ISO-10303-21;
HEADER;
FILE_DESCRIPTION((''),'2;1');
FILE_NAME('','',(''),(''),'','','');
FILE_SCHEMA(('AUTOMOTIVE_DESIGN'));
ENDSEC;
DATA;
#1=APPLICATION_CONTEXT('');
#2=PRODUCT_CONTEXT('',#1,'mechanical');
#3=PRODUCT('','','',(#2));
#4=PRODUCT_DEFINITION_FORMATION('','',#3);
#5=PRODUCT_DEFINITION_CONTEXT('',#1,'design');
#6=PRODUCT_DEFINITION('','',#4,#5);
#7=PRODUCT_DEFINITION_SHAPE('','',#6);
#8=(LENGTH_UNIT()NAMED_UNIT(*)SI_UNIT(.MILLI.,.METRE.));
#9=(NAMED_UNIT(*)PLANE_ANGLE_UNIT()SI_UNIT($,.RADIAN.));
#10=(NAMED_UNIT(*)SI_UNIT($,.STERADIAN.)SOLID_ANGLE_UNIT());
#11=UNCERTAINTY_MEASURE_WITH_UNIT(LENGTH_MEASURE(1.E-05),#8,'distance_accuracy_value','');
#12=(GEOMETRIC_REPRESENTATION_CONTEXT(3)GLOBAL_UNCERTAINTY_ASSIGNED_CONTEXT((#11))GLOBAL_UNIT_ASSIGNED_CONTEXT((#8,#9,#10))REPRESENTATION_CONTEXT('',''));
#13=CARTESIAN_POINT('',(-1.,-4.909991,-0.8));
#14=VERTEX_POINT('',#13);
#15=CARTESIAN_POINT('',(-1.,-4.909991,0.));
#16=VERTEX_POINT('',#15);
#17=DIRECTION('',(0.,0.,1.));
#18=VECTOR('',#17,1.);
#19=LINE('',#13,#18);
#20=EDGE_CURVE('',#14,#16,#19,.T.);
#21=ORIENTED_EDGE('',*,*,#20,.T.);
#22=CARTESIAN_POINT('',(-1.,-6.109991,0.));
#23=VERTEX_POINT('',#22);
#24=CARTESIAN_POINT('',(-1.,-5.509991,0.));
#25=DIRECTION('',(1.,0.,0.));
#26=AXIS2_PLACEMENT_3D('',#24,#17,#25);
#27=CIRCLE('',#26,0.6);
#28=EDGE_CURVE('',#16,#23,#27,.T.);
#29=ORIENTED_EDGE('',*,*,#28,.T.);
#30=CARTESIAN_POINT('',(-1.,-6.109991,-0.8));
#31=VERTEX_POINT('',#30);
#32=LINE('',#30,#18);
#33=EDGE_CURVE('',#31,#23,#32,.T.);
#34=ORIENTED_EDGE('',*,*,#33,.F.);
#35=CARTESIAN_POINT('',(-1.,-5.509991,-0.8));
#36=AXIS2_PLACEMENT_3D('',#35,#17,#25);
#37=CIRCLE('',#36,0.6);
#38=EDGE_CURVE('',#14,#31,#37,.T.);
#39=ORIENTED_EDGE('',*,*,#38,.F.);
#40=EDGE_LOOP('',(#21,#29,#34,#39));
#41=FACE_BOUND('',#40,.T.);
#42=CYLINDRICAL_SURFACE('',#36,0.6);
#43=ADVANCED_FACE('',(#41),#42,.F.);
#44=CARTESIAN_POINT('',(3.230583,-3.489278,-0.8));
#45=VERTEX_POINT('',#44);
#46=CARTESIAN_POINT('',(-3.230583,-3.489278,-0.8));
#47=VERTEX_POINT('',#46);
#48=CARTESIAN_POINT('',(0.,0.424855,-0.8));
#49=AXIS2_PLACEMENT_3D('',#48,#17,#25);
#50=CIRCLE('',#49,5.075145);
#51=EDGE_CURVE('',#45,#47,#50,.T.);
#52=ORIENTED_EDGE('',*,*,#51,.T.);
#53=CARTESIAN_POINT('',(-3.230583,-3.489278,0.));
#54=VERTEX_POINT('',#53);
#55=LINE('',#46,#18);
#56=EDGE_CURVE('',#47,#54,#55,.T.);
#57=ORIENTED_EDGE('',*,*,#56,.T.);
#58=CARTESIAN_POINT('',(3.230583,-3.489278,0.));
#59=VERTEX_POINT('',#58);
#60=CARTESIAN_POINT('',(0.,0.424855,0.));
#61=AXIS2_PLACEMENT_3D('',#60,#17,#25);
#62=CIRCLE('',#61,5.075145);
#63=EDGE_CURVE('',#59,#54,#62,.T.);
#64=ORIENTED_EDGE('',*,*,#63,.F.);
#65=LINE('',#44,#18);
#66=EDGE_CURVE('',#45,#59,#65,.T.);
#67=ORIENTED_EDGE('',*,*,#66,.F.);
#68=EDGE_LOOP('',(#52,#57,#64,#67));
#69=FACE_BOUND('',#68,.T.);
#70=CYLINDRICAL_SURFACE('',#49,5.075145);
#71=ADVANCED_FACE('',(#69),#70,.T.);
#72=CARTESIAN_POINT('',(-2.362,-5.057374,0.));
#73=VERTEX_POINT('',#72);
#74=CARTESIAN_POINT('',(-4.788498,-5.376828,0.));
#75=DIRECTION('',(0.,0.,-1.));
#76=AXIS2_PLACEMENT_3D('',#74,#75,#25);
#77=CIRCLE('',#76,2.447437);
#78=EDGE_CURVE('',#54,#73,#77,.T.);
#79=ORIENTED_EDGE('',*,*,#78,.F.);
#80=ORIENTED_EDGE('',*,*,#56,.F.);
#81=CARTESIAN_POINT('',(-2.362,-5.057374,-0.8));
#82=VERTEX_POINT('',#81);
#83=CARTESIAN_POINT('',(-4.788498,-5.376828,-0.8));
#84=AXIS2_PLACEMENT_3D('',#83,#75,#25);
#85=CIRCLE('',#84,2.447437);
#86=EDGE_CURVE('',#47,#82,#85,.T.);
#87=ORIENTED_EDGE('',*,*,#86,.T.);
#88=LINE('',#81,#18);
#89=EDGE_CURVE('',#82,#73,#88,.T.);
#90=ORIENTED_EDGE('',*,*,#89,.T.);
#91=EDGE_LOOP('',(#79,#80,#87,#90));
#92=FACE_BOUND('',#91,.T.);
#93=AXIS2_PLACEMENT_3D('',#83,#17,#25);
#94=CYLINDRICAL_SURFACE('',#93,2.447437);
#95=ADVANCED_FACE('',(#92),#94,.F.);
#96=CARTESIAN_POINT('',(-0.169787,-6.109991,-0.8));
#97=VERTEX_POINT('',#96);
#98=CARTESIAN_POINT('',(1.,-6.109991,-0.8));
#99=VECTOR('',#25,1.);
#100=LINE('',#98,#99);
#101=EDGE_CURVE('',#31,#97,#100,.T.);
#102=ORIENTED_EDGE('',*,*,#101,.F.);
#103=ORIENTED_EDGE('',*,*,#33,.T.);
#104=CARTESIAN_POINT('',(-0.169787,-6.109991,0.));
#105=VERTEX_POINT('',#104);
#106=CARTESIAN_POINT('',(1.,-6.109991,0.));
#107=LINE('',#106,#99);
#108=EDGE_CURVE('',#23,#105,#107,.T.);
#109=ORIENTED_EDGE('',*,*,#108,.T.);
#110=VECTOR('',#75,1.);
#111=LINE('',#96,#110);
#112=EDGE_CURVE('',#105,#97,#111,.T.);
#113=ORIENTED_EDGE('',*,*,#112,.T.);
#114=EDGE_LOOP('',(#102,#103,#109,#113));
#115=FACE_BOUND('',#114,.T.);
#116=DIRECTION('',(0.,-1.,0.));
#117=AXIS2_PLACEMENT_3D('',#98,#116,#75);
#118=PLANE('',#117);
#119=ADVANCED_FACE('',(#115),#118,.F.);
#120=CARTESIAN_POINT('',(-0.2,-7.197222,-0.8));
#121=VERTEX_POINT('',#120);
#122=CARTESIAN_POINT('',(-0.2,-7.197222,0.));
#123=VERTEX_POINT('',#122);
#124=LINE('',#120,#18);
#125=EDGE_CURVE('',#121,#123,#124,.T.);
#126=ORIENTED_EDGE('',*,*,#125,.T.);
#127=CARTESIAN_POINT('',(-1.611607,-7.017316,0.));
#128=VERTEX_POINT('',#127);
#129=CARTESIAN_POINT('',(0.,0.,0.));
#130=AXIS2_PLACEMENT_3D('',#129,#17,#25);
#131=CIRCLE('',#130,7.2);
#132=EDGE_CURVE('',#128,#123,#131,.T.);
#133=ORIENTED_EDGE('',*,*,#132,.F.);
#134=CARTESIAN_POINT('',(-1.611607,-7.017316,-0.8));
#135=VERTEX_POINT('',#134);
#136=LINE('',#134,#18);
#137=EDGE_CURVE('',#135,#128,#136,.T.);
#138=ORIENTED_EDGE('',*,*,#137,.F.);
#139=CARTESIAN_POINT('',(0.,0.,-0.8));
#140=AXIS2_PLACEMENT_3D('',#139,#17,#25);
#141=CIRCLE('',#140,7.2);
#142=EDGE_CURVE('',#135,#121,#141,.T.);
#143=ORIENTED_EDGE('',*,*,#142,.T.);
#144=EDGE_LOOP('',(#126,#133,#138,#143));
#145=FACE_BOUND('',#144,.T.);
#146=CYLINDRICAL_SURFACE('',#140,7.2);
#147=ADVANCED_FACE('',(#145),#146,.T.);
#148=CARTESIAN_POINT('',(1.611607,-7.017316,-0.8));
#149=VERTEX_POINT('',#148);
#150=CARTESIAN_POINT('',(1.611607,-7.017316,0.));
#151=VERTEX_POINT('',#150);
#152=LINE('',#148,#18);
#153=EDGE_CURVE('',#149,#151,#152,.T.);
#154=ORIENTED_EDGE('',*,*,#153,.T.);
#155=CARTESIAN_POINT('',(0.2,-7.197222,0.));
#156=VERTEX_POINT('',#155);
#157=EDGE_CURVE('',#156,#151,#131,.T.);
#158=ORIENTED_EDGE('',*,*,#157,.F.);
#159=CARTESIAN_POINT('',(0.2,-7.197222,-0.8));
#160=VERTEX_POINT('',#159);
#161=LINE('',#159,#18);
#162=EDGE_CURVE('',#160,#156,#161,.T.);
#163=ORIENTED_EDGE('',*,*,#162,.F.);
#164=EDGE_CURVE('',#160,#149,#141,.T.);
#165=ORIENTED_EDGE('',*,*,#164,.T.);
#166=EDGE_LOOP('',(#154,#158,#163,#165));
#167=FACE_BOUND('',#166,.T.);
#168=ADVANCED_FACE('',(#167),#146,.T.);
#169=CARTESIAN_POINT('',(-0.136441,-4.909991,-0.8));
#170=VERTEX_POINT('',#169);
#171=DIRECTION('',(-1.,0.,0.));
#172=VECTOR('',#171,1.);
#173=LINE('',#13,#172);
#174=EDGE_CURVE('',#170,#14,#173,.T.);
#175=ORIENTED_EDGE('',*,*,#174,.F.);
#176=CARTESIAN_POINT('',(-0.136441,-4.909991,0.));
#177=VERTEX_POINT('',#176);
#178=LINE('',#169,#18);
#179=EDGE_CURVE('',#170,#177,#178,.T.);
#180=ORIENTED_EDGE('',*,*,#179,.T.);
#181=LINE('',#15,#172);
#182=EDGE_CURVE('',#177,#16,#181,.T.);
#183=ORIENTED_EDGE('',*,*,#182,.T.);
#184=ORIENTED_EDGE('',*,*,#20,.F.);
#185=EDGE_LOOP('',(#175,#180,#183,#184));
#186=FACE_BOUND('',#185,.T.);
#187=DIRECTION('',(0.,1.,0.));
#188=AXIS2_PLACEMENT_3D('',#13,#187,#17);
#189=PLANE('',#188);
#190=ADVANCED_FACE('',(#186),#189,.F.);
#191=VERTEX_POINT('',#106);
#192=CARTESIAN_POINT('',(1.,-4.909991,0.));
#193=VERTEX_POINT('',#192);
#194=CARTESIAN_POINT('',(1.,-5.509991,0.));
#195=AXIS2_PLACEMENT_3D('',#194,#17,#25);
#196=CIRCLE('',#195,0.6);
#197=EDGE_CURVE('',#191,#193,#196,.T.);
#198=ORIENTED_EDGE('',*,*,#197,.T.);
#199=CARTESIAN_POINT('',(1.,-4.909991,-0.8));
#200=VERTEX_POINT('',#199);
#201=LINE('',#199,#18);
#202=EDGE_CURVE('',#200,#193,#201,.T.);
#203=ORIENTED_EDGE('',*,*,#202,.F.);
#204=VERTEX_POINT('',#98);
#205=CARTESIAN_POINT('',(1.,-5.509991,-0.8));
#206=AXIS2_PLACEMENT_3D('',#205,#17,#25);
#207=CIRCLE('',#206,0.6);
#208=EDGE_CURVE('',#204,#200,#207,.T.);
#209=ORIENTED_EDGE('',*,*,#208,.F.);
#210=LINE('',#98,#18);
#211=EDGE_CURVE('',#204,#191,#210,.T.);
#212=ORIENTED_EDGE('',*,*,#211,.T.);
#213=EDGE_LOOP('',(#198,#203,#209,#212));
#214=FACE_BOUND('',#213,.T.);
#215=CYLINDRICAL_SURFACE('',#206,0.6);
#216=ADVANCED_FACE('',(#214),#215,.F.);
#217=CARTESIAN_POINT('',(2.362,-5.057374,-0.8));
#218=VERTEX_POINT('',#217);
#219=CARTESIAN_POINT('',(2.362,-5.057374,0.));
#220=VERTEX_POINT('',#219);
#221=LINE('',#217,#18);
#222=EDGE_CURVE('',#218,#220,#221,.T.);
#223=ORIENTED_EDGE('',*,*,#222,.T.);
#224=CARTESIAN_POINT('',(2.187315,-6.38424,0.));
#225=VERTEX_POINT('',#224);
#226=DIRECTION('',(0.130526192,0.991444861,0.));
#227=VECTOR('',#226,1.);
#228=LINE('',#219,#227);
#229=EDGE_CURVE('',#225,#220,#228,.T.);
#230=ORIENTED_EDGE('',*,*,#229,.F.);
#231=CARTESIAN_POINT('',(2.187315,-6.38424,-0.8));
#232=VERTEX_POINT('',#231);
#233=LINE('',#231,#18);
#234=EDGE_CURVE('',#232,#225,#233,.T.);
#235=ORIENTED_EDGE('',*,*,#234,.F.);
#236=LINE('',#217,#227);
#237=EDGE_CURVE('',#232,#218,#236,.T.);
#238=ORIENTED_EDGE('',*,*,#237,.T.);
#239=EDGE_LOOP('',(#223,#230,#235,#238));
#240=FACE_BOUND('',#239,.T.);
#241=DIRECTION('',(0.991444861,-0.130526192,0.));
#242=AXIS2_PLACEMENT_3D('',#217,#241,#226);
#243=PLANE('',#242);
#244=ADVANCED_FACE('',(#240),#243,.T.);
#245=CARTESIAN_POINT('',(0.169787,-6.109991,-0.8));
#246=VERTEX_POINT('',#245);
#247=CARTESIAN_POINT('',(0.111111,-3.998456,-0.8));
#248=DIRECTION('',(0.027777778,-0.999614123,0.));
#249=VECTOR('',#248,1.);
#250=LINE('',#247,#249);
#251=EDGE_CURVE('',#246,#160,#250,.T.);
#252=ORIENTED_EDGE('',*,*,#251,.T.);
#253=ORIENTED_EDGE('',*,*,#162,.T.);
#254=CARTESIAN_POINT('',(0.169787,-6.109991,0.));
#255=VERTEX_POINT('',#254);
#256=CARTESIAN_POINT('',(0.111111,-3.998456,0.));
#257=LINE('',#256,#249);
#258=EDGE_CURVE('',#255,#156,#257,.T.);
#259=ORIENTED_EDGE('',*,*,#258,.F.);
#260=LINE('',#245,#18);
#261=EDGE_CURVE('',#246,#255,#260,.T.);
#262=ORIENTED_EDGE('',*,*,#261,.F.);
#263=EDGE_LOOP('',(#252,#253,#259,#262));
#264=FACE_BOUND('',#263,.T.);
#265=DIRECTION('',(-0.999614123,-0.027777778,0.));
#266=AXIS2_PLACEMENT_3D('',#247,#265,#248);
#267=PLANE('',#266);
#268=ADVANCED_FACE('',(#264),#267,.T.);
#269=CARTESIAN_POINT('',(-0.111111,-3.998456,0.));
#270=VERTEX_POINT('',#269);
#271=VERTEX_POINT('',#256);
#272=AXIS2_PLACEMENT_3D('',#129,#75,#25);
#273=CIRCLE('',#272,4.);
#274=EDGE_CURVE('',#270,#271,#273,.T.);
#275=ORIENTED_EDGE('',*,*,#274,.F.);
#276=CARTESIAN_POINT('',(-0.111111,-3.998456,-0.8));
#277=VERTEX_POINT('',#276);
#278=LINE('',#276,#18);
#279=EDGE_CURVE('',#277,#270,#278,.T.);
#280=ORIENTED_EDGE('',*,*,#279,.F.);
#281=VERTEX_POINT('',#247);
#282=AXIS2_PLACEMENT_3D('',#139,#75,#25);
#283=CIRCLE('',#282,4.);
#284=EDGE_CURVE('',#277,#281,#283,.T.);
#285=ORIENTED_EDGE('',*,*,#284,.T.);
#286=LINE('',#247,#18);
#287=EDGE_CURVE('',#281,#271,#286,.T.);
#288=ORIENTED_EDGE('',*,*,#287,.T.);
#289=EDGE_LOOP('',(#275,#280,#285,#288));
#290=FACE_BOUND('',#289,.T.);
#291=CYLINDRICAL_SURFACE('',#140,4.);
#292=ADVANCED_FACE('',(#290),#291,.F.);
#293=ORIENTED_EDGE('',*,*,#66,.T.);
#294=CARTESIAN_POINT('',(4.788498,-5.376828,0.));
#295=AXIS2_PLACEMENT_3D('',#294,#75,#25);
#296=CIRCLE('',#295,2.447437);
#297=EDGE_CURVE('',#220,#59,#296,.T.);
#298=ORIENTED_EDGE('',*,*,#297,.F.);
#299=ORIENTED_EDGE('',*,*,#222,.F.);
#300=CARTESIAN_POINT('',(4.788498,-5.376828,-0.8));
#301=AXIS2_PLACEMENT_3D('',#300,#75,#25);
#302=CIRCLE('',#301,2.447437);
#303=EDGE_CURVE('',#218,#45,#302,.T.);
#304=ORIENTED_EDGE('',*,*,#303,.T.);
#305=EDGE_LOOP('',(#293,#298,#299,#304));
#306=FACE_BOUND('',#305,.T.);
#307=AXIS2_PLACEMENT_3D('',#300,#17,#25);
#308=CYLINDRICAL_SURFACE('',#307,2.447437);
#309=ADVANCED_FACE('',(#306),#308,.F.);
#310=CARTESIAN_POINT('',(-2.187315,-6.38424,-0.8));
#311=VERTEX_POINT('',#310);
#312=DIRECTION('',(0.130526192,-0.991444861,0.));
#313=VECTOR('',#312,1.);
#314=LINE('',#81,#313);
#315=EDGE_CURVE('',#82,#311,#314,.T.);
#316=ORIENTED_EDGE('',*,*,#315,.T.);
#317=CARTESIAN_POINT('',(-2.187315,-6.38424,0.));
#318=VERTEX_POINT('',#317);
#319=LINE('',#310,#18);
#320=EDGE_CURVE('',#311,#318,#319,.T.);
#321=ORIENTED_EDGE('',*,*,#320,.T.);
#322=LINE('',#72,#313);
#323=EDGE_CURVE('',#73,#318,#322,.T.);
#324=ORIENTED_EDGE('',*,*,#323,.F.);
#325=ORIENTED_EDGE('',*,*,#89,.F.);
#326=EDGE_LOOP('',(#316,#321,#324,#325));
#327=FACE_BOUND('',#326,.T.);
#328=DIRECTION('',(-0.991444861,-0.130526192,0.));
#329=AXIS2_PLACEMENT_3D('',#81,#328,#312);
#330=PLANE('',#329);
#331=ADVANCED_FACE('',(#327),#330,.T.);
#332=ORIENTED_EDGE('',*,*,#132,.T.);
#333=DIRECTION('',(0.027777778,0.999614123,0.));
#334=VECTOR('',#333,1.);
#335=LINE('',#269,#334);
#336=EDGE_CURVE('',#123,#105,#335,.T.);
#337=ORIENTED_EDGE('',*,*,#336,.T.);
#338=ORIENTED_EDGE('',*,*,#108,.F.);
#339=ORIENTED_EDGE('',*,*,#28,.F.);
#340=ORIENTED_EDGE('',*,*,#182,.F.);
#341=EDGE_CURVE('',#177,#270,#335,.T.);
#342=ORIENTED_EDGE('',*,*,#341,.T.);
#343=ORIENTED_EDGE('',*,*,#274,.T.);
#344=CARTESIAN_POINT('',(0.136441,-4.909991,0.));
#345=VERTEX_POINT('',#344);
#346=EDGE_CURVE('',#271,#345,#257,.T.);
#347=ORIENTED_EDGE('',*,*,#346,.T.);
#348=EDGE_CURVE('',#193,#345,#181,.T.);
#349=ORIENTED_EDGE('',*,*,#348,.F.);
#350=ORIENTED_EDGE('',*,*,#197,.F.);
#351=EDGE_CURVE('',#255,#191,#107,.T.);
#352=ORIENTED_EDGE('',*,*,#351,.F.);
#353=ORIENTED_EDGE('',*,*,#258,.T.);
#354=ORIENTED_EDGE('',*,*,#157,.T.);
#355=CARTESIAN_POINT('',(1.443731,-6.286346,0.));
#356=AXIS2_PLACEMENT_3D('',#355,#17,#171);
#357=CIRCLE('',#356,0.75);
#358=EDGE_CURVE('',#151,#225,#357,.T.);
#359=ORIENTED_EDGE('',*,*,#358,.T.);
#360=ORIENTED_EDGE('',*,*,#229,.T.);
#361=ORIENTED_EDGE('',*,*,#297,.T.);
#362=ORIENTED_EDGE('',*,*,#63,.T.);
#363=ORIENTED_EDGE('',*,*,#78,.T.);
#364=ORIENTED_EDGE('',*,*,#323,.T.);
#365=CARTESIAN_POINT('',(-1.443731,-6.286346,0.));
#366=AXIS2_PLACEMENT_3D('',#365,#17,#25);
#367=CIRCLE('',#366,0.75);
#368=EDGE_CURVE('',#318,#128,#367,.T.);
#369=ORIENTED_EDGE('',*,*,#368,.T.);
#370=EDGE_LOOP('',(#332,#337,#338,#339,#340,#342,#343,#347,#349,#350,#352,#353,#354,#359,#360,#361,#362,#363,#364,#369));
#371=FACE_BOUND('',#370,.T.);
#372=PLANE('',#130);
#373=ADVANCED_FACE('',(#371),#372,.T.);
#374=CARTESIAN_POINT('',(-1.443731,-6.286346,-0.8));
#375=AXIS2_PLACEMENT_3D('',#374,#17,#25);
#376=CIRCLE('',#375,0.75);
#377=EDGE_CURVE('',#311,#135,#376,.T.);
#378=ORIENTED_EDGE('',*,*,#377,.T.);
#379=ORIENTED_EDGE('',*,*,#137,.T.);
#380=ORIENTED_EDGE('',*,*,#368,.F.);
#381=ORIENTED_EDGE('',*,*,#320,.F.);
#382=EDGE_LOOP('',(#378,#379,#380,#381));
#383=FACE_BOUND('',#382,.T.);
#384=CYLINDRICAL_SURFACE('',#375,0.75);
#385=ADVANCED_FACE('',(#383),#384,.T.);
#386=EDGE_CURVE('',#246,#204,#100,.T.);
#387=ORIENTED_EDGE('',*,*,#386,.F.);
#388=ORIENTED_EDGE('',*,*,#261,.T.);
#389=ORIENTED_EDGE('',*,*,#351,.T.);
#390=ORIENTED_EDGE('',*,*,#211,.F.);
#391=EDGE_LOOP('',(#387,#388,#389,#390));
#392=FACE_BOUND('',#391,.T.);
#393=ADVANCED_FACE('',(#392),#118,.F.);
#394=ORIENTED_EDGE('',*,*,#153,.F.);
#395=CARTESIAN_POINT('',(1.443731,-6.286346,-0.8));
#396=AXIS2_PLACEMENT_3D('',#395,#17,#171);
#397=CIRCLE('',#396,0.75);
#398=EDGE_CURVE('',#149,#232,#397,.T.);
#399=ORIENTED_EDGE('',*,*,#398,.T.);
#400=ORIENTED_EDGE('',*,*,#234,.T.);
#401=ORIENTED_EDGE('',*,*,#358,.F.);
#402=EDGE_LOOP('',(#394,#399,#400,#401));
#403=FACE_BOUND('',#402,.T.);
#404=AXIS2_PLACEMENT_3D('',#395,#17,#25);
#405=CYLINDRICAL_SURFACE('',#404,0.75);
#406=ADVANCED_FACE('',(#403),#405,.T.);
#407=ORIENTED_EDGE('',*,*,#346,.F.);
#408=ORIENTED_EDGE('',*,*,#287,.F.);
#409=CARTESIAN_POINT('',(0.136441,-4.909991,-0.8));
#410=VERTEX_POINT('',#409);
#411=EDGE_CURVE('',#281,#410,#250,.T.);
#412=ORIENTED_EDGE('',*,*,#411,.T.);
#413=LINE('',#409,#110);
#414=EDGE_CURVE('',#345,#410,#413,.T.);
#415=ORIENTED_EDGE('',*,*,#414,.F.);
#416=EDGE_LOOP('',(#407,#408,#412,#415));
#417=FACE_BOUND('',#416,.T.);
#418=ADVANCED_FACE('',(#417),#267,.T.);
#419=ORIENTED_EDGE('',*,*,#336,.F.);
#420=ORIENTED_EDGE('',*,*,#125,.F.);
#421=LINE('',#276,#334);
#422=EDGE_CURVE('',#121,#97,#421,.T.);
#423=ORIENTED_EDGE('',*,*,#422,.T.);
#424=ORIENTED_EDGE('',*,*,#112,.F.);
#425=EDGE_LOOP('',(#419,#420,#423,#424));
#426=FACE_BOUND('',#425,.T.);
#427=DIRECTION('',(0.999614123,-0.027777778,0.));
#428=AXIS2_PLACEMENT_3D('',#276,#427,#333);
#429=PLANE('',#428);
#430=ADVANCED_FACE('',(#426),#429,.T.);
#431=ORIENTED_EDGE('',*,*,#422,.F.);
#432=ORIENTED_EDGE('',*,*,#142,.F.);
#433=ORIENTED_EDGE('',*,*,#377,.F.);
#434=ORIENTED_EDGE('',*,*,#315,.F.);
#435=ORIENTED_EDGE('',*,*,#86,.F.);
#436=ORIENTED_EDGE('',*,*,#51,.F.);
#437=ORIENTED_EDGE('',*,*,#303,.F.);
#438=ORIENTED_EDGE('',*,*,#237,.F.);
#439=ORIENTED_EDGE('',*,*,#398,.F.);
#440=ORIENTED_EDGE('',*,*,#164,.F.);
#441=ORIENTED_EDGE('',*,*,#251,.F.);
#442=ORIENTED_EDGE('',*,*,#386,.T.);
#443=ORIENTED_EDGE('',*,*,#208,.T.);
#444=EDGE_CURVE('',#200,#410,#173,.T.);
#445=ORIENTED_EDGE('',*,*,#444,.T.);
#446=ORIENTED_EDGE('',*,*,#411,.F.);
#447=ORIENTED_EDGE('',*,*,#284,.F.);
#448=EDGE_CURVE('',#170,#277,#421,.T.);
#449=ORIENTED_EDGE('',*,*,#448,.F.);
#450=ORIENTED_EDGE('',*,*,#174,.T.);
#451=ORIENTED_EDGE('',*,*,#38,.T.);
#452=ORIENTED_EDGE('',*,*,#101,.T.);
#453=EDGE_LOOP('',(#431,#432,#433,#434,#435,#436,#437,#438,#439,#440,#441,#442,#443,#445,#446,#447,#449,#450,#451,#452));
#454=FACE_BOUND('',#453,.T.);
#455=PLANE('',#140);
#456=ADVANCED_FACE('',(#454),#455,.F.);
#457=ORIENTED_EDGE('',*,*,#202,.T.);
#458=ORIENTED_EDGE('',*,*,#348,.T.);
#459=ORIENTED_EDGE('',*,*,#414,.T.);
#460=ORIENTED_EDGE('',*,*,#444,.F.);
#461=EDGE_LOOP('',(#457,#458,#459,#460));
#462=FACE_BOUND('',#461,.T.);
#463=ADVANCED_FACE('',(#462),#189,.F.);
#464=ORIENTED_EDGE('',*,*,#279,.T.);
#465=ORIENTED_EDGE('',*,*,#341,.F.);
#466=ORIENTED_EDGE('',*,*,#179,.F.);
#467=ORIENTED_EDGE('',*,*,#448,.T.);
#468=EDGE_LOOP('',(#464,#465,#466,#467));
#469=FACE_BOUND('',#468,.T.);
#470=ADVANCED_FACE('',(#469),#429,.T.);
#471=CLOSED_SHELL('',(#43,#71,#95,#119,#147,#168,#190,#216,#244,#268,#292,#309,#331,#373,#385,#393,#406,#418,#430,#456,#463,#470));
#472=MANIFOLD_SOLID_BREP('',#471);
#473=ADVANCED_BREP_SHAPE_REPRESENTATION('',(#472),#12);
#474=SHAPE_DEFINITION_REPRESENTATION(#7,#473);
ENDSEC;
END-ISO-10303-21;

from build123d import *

# Parameters (mm, degrees)
BODYSKE_R   = 0.6
BODY_DEPTH  = 0.8
NOTSKE_W    = 2
NOTSKE_H    = 1.2
NOTCH_DEPTH = 9.842912471


with BuildPart() as part:
    # BodySke → Body (new body)
    with BuildSketch(Plane.XY):
        with BuildLine():
            Line((0.111111111, -3.998456492), (0.2, -7.197221686))
            ThreePointArc((0.2, -7.197221686), (0.91025881, -7.142228567), (1.61160657, -7.01731603))
            ThreePointArc((1.61160657, -7.01731603), (1.998605432, -6.790938751), (2.187314531, -6.384240254))
            Line((2.187314531, -6.384240254), (2.361999816, -5.057373784))
            ThreePointArc((2.361999816, -5.057373784), (2.647559395, -4.190941886), (3.230582946, -3.489278116))
            ThreePointArc((3.230582946, -3.489278116), (0, 5.5), (-3.230582946, -3.489278116))
            ThreePointArc((-3.230582946, -3.489278116), (-2.647559395, -4.190941886), (-2.361999816, -5.057373784))
            Line((-2.361999816, -5.057373784), (-2.187314531, -6.384240254))
            ThreePointArc((-2.187314531, -6.384240254), (-1.998605432, -6.790938751), (-1.61160657, -7.01731603))
            ThreePointArc((-1.61160657, -7.01731603), (-0.91025881, -7.142228567), (-0.2, -7.197221686))
            Line((-0.2, -7.197221686), (-0.111111111, -3.998456492))
            ThreePointArc((-0.111111111, -3.998456492), (0, 4), (0.111111111, -3.998456492))
        make_face()
        with Locations((1, -5.509990926)):
            Circle(BODYSKE_R, mode=Mode.SUBTRACT)
        with Locations((-1, -5.509990926)):
            Circle(BODYSKE_R, mode=Mode.SUBTRACT)
    extrude(amount=-BODY_DEPTH)

    # NotSke → Notch (cut, through all)
    with BuildSketch(Plane.XY):
        with Locations((0, -5.509990926)):
            Rectangle(NOTSKE_W, NOTSKE_H)
    extrude(amount=-NOTCH_DEPTH, mode=Mode.SUBTRACT)


solid = part.part
